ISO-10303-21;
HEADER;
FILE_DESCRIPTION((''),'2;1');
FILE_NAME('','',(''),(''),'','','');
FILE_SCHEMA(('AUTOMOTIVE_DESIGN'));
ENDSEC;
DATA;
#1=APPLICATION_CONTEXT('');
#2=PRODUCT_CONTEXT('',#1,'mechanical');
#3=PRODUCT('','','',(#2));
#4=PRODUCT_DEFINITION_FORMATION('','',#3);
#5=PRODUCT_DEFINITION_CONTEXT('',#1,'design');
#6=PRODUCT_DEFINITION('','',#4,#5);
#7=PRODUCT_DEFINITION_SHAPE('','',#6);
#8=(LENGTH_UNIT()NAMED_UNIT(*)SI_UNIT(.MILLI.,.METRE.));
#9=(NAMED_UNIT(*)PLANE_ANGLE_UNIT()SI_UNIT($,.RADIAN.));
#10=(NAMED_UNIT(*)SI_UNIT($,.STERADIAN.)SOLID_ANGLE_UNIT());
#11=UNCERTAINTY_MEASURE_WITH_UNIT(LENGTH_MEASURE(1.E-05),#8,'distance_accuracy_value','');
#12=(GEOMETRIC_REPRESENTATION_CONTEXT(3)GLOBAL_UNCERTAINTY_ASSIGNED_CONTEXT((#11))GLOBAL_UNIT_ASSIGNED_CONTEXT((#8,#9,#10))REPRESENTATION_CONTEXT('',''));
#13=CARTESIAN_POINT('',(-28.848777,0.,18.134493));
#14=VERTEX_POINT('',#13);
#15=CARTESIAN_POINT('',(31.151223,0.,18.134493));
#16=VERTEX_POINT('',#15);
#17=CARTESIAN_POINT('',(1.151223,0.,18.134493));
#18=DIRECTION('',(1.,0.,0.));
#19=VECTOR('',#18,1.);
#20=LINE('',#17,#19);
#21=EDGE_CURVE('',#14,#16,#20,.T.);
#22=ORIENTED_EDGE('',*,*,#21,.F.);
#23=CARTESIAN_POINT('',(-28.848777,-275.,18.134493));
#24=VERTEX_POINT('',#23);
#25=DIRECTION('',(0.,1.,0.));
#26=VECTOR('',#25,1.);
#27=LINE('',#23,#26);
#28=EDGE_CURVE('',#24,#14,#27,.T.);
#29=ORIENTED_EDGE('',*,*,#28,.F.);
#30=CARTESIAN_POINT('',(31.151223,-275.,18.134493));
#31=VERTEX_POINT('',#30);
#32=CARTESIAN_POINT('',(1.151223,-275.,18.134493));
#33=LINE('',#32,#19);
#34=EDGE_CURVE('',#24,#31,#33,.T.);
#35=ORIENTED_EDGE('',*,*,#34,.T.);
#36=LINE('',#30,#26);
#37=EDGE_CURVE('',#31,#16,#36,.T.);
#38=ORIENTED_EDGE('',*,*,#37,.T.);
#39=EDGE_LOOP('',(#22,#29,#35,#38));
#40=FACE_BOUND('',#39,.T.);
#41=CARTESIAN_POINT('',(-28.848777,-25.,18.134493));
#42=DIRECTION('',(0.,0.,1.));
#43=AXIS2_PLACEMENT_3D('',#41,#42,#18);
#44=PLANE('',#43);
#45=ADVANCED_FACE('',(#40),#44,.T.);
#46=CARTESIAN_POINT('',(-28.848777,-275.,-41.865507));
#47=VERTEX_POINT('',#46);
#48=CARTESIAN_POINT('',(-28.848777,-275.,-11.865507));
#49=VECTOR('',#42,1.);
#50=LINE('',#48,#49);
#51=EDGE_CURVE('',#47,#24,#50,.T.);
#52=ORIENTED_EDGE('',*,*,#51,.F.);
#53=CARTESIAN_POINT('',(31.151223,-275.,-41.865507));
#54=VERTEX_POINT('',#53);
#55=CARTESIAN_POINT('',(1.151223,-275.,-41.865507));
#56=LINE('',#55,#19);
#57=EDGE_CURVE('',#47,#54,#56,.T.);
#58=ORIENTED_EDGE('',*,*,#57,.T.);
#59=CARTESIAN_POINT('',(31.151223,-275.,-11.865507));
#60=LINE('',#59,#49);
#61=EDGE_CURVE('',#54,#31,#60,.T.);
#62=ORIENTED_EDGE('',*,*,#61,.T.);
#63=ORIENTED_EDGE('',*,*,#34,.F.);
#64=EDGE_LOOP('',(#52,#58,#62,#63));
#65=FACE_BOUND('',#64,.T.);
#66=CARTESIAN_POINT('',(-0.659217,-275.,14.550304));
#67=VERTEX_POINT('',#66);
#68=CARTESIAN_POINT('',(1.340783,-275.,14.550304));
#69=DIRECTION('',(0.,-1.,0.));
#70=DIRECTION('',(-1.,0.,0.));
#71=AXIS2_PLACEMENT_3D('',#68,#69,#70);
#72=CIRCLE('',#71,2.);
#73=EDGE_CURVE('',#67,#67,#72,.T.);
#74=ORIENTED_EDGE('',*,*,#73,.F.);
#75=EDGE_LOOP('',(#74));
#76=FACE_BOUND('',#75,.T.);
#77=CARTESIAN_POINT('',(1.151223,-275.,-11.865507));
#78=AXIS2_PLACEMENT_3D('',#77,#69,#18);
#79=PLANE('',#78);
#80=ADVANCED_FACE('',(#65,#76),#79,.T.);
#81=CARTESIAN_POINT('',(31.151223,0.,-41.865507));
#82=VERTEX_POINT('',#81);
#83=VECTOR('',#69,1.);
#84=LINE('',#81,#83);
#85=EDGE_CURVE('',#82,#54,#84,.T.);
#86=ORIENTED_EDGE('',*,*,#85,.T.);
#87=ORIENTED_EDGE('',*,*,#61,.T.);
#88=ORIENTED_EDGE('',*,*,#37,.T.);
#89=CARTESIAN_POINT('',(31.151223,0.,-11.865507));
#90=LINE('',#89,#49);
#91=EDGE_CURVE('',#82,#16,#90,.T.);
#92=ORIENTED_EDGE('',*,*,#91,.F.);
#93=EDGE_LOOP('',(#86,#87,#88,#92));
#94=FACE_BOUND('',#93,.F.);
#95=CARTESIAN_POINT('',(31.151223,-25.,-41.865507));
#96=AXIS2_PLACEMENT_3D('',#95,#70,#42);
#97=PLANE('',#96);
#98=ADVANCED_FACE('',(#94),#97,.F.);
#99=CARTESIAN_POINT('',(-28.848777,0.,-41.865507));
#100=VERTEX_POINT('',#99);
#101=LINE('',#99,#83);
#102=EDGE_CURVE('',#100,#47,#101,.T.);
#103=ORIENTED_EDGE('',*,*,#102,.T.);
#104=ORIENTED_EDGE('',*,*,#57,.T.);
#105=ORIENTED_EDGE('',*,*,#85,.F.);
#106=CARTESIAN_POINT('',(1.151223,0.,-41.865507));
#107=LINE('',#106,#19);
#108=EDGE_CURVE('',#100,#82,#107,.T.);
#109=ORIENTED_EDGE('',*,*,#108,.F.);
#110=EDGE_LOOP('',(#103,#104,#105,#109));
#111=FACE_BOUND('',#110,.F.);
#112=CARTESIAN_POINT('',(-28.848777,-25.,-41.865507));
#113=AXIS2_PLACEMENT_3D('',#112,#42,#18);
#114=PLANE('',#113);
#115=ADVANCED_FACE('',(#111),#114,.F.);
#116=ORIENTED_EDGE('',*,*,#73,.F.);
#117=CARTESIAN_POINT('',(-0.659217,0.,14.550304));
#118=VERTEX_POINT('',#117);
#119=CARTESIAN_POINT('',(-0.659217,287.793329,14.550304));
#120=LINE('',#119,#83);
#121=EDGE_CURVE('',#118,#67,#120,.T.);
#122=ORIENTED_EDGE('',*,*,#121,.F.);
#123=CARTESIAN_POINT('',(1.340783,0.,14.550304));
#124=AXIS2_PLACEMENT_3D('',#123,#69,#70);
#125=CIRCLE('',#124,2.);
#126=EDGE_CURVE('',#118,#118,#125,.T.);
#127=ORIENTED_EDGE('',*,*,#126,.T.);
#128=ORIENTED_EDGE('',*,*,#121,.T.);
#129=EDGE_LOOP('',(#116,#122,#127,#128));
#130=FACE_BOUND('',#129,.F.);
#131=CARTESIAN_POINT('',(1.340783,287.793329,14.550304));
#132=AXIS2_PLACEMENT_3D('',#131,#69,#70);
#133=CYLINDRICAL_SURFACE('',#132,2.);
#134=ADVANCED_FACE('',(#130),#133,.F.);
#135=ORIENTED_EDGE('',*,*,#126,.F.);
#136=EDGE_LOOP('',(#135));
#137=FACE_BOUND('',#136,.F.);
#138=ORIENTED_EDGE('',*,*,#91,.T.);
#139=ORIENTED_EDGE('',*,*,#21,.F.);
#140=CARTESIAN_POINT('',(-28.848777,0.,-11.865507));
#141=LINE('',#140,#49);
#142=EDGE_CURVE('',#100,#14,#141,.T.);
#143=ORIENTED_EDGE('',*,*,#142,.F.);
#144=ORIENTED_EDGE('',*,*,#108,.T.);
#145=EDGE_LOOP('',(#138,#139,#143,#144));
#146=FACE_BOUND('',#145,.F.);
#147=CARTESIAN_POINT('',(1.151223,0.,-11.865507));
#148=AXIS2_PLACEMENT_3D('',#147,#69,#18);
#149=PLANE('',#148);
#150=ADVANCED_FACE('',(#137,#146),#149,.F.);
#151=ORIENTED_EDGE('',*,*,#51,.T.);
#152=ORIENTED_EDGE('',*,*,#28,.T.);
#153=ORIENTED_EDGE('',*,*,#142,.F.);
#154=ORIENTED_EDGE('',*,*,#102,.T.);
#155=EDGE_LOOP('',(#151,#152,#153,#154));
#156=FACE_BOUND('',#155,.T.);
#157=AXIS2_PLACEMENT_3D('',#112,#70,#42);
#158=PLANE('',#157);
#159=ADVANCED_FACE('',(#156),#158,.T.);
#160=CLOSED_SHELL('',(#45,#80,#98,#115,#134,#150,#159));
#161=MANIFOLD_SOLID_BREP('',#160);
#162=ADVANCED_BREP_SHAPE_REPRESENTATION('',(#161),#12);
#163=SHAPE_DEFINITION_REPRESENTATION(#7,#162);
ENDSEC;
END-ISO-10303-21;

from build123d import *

# Parameters (mm, degrees)
F0_W     = 60
F0_H     = 60
F1_DEPTH = 25
F2_DEPTH = 250
F4_D     = 4


with BuildPart() as f1:
    # F0 (on Front) → F1 (new body)
    with BuildSketch(Plane.XZ):
        with Locations((1.1512227356, -11.8655072413)):
            Rectangle(F0_W, F0_H)
    extrude(amount=F1_DEPTH)

    # F2 (add): a face of the model
    f2_faces = [f1.faces().sort_by_distance(p)[0] for p in [
        (1.1512227356, -25, -11.8655072413),
    ]]
    extrude(f2_faces, amount=F2_DEPTH)

    # F4 (through all)
    with Locations(Plane(origin=(0, 0, 0), x_dir=(1, 0, 0), z_dir=(0, 1, 0))):
        with Locations((1.3407834521, -14.5503044262)):
            Hole(F4_D / 2)


solid = f1.part
